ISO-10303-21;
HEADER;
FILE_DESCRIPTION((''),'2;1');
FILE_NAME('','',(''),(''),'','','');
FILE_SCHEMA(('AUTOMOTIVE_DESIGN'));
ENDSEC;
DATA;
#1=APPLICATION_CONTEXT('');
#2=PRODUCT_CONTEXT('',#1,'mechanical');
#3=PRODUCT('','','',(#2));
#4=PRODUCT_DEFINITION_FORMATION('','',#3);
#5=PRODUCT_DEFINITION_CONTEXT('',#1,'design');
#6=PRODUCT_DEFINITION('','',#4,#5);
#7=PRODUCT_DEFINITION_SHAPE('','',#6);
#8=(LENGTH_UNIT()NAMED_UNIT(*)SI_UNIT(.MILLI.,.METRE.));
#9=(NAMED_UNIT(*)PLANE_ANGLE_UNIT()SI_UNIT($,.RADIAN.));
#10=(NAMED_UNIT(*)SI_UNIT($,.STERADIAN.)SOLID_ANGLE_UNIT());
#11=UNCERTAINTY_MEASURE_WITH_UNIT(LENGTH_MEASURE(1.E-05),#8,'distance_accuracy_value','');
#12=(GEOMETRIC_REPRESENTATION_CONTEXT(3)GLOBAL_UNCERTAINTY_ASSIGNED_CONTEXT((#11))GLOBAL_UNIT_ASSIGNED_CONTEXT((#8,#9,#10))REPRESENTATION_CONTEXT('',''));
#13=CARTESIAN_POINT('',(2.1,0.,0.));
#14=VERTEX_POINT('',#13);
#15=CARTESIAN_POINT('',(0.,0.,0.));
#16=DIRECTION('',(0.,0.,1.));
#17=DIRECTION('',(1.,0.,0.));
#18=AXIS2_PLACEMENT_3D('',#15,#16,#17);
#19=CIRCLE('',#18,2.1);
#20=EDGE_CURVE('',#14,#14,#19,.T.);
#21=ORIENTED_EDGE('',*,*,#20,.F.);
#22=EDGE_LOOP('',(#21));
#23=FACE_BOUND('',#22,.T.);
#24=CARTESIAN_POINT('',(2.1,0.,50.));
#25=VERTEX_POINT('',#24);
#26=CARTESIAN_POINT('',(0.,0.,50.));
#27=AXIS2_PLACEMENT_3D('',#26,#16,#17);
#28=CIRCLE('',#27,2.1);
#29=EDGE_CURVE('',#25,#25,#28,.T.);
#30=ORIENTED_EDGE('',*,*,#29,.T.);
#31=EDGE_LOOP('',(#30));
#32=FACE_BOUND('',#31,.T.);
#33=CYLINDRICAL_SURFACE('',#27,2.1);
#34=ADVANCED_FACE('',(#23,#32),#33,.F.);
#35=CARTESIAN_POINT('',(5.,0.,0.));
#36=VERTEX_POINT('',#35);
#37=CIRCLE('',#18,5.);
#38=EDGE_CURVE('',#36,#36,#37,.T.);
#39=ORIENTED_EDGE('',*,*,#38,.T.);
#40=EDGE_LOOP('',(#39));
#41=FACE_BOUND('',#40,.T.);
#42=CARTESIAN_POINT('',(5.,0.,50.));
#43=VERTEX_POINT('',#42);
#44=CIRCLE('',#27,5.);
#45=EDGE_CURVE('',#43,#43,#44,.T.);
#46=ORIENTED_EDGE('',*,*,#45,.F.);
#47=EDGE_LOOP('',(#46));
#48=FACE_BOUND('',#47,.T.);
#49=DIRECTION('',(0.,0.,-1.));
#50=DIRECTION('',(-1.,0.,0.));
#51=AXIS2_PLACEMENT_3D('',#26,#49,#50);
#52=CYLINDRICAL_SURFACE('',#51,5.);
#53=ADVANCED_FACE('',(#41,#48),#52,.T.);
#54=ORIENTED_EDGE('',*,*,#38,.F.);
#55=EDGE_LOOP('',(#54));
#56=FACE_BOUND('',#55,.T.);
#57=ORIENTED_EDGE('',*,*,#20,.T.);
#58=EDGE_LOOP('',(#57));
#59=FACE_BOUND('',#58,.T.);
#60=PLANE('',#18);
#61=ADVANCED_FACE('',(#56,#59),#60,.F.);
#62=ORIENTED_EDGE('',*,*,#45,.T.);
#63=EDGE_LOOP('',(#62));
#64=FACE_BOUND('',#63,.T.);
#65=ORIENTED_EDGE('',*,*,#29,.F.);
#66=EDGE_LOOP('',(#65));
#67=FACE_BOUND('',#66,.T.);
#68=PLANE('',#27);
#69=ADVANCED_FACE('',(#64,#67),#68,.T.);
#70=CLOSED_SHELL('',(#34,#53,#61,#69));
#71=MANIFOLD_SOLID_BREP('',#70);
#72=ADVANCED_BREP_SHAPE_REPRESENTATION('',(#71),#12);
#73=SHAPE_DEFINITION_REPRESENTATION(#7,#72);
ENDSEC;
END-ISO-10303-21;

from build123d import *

# Parameters (mm, degrees)
SKETCH_1_R      = 5
EXTRUDE_1_DEPTH = 50
M5X0_81_D       = 4.2


with BuildPart() as part:
    # Эскиз1 → Бобышка-Вытянуть1 (new body)
    with BuildSketch(Plane.XY):
        Circle(SKETCH_1_R)
    extrude(amount=EXTRUDE_1_DEPTH)

    # Отверстие обработанное метчиком M5x0.81 (through all)
    with Locations(Plane.XY.offset(50)):
        with Locations((0, 0)):
            Hole(M5X0_81_D / 2)


solid = part.part
